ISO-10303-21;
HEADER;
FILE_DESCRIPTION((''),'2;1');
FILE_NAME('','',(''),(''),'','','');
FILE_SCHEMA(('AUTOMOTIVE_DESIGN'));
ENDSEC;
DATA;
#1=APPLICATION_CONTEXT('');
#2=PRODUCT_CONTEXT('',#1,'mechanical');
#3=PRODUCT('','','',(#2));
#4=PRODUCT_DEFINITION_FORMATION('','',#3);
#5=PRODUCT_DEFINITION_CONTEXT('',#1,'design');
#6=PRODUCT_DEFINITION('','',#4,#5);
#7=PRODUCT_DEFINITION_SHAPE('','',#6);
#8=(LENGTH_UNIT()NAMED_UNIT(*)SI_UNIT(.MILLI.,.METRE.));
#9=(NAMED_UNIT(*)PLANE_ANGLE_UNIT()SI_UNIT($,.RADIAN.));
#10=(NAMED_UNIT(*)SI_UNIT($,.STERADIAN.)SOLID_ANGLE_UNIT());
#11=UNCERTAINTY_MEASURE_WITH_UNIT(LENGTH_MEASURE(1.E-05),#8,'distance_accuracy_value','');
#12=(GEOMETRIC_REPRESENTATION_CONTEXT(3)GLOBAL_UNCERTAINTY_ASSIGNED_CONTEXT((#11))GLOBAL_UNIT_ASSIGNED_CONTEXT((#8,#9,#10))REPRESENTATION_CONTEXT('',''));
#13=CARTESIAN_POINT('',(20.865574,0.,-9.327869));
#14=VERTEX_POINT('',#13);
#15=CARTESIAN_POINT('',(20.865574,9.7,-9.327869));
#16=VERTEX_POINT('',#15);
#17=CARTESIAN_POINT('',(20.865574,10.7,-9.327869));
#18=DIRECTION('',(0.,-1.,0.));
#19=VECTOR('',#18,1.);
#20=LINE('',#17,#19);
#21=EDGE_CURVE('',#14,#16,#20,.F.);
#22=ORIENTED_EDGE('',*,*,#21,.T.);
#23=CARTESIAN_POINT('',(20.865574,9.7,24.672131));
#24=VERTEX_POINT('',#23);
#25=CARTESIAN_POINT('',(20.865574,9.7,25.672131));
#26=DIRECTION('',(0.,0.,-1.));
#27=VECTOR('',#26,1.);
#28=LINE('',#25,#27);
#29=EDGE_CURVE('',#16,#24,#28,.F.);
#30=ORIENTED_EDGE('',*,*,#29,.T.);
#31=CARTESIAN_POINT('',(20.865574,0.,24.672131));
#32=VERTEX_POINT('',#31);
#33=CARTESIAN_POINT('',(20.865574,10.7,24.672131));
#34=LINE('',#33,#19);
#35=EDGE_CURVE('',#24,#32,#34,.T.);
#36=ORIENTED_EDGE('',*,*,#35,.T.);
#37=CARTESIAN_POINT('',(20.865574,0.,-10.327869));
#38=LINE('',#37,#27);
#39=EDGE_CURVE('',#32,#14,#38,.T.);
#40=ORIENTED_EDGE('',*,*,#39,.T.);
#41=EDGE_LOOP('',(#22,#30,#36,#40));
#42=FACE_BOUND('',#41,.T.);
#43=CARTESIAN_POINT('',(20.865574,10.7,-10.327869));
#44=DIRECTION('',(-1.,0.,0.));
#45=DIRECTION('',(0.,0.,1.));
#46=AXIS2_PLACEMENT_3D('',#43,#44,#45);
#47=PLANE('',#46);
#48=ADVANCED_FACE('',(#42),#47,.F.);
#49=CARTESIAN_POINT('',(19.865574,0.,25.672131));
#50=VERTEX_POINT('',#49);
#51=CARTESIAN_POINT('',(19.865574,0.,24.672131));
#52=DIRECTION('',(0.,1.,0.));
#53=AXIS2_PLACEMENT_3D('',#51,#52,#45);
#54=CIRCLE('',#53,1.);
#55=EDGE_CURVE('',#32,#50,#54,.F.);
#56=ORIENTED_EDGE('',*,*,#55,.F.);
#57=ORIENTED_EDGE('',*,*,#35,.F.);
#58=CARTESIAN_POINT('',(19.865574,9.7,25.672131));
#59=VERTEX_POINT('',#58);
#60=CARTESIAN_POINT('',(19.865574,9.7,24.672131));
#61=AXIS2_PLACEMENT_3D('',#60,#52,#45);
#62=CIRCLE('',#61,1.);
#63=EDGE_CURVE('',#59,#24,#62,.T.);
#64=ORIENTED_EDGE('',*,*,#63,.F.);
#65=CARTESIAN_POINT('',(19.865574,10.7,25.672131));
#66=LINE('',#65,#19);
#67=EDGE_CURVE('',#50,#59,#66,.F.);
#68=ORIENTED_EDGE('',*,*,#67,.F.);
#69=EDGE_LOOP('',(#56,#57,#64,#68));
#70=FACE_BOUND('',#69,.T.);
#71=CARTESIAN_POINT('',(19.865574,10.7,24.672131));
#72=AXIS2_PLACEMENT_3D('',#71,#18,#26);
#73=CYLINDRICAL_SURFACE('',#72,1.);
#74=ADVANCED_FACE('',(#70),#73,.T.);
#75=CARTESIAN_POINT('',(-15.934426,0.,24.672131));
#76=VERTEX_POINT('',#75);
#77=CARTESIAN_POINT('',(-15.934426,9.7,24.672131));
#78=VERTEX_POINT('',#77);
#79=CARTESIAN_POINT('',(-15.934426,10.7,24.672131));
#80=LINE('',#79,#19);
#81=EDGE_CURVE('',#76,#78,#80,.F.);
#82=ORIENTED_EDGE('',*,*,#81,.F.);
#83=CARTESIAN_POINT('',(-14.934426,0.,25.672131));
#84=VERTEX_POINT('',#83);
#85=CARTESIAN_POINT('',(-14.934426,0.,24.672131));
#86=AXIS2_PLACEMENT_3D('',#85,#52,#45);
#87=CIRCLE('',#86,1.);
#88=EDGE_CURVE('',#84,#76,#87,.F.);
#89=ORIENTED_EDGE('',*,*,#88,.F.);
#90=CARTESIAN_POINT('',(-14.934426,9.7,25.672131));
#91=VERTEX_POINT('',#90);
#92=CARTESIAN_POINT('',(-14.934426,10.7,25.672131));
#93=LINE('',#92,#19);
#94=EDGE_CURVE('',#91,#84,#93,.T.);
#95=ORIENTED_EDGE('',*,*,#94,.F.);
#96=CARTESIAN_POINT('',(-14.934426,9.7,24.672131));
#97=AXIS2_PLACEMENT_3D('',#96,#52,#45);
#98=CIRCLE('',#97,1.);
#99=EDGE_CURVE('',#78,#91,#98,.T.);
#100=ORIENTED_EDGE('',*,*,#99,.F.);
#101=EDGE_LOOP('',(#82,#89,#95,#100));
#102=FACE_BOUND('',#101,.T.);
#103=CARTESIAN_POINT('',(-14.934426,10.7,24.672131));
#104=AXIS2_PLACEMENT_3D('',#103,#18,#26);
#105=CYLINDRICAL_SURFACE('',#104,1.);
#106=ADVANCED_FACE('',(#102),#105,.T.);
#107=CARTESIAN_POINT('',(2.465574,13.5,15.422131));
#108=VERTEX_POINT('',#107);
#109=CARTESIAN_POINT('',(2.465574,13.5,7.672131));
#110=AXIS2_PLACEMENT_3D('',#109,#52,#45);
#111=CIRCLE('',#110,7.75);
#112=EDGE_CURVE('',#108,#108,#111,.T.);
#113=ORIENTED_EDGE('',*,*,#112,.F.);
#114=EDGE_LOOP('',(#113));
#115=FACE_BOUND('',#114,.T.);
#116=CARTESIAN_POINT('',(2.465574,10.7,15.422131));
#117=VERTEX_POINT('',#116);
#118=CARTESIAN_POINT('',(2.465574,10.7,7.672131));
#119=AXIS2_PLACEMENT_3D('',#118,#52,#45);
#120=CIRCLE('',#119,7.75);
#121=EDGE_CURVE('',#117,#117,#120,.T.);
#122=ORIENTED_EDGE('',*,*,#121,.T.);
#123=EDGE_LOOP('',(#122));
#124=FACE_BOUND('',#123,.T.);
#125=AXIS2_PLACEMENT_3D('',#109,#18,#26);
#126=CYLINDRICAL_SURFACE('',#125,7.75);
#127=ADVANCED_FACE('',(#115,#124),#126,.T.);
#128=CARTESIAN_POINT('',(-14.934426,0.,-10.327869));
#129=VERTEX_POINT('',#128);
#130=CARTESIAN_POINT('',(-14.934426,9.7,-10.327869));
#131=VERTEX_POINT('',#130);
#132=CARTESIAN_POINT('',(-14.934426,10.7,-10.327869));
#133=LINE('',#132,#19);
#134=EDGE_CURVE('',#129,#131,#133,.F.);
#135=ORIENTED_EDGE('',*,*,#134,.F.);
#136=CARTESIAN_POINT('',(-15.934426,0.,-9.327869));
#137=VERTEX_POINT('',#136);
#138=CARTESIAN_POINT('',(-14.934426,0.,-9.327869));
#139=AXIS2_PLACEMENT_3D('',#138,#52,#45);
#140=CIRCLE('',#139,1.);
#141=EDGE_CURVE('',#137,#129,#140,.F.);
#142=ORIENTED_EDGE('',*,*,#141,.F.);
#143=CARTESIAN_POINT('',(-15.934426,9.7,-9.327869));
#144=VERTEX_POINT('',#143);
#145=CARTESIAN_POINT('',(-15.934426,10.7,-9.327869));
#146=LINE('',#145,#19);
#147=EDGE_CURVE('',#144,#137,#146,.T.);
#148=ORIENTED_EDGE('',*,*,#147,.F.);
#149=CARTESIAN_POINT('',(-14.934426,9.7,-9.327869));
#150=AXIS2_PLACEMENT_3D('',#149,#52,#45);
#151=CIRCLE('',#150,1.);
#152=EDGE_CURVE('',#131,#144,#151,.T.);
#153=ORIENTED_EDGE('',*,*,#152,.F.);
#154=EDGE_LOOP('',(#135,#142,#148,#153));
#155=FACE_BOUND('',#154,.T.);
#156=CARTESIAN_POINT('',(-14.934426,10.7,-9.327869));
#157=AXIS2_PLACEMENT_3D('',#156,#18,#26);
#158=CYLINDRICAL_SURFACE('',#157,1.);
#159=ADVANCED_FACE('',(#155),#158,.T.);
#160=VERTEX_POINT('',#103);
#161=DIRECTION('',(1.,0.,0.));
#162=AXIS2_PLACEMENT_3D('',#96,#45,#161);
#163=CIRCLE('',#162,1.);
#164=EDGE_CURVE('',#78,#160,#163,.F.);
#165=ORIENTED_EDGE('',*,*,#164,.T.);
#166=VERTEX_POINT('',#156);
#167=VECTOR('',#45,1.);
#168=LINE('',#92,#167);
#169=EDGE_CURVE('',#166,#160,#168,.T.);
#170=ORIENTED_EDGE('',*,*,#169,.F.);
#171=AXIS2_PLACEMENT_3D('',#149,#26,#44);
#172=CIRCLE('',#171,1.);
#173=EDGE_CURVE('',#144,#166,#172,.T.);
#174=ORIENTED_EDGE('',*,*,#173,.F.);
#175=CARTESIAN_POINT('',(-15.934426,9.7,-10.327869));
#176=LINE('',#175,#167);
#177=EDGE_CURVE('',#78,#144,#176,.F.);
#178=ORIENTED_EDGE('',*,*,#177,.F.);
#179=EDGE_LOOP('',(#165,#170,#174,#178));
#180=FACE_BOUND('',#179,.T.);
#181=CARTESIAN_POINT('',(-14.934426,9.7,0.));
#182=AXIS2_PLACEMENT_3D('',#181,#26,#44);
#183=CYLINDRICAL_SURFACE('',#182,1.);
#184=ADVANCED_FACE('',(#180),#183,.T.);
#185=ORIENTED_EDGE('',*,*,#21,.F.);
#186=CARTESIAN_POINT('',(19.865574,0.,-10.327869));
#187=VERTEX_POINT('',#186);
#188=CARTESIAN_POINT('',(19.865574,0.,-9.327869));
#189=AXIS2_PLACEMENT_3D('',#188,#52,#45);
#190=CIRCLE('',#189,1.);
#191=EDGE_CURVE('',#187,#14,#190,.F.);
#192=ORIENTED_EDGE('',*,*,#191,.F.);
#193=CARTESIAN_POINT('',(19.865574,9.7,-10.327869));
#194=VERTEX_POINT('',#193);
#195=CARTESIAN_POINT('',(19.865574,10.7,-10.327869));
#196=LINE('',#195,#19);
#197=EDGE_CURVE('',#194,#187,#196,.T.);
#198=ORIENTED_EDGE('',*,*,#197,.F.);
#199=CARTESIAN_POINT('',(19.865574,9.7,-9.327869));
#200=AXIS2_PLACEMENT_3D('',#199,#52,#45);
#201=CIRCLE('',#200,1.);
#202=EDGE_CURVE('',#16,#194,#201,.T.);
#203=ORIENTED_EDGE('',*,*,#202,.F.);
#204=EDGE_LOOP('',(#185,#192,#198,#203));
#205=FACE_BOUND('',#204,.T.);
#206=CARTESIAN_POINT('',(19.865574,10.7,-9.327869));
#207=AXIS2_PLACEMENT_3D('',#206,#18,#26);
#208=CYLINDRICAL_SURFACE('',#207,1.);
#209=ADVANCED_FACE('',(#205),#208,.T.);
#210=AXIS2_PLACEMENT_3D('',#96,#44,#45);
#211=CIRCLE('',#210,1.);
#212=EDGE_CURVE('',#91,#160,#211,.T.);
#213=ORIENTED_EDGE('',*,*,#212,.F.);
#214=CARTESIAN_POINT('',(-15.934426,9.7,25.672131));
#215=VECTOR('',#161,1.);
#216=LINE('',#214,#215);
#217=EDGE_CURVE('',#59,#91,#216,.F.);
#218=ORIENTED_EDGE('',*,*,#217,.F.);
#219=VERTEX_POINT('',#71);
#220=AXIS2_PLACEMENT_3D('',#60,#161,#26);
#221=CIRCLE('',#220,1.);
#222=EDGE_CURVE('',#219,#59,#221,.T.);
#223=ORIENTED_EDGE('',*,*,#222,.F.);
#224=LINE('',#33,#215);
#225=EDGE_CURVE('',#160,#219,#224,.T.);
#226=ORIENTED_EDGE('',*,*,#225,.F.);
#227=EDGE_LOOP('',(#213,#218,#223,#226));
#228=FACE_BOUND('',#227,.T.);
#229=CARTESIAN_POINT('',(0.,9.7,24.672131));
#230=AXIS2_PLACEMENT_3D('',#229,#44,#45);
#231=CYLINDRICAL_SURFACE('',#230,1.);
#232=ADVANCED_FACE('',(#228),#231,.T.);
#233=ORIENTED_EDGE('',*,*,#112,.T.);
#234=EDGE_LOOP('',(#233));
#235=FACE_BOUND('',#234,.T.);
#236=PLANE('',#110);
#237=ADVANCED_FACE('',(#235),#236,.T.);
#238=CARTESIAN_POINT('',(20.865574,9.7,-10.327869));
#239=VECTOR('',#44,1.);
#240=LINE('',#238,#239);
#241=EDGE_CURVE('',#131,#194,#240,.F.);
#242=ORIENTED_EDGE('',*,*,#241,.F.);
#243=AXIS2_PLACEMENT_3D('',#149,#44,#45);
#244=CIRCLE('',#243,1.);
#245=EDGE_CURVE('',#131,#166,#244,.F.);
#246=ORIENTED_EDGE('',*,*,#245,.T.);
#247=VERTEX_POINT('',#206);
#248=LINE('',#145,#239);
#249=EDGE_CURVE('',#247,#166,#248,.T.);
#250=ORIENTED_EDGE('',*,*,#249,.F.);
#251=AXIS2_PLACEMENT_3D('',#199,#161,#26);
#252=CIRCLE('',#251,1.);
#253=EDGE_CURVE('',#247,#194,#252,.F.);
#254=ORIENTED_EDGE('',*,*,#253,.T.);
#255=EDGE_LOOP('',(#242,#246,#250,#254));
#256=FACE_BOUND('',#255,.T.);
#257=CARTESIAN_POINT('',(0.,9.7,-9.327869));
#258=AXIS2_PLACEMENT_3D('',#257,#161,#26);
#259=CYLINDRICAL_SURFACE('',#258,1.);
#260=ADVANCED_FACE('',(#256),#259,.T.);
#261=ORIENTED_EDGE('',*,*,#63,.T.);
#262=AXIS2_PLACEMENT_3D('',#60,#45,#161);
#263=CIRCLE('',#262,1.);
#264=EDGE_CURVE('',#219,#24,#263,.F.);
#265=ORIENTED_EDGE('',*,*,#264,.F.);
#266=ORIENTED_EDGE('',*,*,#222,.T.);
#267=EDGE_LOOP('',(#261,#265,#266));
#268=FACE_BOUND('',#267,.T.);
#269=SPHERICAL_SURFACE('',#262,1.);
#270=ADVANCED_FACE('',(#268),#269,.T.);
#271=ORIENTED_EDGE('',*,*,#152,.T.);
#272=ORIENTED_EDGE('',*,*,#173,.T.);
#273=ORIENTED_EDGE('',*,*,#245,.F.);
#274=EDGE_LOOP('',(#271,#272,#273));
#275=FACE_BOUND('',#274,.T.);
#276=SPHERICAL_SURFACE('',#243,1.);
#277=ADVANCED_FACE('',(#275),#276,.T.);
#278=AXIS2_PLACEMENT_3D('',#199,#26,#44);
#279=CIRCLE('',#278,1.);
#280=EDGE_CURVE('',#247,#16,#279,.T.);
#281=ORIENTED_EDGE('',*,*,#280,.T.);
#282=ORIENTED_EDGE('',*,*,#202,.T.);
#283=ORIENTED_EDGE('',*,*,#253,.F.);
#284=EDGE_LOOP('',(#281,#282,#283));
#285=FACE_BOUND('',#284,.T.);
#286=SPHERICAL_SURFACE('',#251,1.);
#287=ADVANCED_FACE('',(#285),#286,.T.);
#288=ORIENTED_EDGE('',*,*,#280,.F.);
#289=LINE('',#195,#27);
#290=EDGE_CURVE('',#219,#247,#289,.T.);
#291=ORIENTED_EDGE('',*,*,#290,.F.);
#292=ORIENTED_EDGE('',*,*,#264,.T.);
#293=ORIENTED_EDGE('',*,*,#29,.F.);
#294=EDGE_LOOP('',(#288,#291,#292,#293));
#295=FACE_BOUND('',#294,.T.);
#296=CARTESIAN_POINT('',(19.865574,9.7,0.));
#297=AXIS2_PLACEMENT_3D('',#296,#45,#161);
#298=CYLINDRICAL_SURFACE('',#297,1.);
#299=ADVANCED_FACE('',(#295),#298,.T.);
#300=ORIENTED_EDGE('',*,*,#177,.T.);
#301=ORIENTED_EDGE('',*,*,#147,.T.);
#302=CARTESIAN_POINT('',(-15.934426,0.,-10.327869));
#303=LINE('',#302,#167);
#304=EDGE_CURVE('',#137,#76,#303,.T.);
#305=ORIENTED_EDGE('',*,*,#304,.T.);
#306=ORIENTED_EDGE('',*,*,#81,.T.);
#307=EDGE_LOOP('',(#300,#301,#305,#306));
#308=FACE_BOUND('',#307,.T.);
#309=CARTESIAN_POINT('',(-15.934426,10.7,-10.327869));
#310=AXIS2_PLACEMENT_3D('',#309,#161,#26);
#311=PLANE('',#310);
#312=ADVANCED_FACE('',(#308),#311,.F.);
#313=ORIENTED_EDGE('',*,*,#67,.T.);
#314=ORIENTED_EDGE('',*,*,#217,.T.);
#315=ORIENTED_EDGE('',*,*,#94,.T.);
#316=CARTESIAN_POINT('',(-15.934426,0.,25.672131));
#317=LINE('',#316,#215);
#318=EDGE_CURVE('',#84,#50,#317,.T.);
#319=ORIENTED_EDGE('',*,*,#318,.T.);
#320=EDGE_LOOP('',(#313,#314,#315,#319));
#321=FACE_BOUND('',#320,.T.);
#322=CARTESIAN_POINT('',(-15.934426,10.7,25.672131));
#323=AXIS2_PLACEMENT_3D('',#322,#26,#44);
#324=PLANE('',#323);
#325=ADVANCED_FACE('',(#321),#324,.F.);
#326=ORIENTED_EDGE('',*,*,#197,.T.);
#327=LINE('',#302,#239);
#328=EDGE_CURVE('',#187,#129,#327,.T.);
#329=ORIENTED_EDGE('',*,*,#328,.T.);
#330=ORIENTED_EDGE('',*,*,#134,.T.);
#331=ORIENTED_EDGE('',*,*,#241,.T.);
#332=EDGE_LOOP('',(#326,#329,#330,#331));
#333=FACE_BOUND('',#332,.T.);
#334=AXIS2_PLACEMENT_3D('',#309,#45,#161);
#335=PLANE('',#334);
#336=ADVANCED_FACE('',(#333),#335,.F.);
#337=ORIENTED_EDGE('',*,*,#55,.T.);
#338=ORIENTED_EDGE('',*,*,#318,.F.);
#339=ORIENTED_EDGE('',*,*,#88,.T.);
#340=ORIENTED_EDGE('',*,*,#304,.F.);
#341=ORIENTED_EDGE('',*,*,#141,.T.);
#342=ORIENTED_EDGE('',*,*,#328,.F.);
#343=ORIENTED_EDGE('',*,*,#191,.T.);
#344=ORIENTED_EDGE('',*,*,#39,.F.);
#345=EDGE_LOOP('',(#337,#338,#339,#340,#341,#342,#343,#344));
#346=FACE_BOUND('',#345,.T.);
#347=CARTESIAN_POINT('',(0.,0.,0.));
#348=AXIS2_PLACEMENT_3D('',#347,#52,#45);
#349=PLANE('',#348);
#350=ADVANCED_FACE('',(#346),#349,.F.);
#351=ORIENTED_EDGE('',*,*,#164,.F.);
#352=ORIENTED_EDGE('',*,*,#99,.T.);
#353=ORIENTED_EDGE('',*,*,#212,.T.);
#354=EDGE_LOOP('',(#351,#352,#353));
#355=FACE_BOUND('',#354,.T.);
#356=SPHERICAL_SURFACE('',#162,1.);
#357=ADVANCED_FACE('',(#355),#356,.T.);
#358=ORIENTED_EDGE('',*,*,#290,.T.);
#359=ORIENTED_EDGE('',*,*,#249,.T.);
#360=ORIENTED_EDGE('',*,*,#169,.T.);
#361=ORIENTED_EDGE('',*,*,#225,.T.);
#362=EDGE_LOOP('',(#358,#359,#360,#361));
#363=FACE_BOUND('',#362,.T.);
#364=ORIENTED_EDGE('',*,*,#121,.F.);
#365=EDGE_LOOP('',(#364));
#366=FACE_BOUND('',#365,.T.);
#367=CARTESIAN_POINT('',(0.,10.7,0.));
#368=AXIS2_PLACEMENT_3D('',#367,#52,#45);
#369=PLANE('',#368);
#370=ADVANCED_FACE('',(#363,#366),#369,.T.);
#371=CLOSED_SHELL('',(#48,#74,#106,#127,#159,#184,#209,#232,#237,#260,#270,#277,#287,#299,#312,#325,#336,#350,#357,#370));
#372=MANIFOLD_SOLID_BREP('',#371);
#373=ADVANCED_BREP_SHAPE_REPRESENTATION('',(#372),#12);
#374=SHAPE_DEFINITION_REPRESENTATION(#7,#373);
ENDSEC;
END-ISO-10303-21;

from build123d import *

# Parameters (mm, degrees)
SKETCH_1_W      = 36.8
SKETCH_1_H      = 36
EXTRUDE_1_DEPTH = 10.7
FILLET_1_R      = 1
SKETCH_2_R      = 7.75
EXTRUDE_2_DEPTH = 2.8


with BuildPart() as part:
    # 草图1 → 凸台-拉伸1 (new body)
    with BuildSketch(Plane(origin=(0, 0, 0), x_dir=(1, 0, 0), z_dir=(0, 1, 0))):
        with Locations((2.46557377, -7.672131148)):
            Rectangle(SKETCH_1_W, SKETCH_1_H)
    extrude(amount=EXTRUDE_1_DEPTH)

    # 圆角1
    fillet_1_edges = [part.edges().sort_by_distance(p)[0] for p in [
        (20.86557377, 10.7, 7.672131148),
        (2.46557377, 10.7, -10.327868852),
        (-15.93442623, 10.7, 7.672131148),
        (-15.93442623, 5.35, -10.327868852),
        (20.86557377, 5.35, -10.327868852),
        (20.86557377, 5.35, 25.672131148),
        (-15.93442623, 5.35, 25.672131148),
        (2.46557377, 10.7, 25.672131148),
    ]]
    fillet(fillet_1_edges, radius=FILLET_1_R)

    # 草图2 → 凸台-拉伸2 (add)
    with BuildSketch(Plane(origin=(0, 10.7, 0), x_dir=(1, 0, 0), z_dir=(0, 1, 0))):
        with Locations(Location((2.46557377, -7.672131148, 0), (0, 0, 270))):
            Circle(SKETCH_2_R)
    extrude(amount=EXTRUDE_2_DEPTH)


solid = part.part
